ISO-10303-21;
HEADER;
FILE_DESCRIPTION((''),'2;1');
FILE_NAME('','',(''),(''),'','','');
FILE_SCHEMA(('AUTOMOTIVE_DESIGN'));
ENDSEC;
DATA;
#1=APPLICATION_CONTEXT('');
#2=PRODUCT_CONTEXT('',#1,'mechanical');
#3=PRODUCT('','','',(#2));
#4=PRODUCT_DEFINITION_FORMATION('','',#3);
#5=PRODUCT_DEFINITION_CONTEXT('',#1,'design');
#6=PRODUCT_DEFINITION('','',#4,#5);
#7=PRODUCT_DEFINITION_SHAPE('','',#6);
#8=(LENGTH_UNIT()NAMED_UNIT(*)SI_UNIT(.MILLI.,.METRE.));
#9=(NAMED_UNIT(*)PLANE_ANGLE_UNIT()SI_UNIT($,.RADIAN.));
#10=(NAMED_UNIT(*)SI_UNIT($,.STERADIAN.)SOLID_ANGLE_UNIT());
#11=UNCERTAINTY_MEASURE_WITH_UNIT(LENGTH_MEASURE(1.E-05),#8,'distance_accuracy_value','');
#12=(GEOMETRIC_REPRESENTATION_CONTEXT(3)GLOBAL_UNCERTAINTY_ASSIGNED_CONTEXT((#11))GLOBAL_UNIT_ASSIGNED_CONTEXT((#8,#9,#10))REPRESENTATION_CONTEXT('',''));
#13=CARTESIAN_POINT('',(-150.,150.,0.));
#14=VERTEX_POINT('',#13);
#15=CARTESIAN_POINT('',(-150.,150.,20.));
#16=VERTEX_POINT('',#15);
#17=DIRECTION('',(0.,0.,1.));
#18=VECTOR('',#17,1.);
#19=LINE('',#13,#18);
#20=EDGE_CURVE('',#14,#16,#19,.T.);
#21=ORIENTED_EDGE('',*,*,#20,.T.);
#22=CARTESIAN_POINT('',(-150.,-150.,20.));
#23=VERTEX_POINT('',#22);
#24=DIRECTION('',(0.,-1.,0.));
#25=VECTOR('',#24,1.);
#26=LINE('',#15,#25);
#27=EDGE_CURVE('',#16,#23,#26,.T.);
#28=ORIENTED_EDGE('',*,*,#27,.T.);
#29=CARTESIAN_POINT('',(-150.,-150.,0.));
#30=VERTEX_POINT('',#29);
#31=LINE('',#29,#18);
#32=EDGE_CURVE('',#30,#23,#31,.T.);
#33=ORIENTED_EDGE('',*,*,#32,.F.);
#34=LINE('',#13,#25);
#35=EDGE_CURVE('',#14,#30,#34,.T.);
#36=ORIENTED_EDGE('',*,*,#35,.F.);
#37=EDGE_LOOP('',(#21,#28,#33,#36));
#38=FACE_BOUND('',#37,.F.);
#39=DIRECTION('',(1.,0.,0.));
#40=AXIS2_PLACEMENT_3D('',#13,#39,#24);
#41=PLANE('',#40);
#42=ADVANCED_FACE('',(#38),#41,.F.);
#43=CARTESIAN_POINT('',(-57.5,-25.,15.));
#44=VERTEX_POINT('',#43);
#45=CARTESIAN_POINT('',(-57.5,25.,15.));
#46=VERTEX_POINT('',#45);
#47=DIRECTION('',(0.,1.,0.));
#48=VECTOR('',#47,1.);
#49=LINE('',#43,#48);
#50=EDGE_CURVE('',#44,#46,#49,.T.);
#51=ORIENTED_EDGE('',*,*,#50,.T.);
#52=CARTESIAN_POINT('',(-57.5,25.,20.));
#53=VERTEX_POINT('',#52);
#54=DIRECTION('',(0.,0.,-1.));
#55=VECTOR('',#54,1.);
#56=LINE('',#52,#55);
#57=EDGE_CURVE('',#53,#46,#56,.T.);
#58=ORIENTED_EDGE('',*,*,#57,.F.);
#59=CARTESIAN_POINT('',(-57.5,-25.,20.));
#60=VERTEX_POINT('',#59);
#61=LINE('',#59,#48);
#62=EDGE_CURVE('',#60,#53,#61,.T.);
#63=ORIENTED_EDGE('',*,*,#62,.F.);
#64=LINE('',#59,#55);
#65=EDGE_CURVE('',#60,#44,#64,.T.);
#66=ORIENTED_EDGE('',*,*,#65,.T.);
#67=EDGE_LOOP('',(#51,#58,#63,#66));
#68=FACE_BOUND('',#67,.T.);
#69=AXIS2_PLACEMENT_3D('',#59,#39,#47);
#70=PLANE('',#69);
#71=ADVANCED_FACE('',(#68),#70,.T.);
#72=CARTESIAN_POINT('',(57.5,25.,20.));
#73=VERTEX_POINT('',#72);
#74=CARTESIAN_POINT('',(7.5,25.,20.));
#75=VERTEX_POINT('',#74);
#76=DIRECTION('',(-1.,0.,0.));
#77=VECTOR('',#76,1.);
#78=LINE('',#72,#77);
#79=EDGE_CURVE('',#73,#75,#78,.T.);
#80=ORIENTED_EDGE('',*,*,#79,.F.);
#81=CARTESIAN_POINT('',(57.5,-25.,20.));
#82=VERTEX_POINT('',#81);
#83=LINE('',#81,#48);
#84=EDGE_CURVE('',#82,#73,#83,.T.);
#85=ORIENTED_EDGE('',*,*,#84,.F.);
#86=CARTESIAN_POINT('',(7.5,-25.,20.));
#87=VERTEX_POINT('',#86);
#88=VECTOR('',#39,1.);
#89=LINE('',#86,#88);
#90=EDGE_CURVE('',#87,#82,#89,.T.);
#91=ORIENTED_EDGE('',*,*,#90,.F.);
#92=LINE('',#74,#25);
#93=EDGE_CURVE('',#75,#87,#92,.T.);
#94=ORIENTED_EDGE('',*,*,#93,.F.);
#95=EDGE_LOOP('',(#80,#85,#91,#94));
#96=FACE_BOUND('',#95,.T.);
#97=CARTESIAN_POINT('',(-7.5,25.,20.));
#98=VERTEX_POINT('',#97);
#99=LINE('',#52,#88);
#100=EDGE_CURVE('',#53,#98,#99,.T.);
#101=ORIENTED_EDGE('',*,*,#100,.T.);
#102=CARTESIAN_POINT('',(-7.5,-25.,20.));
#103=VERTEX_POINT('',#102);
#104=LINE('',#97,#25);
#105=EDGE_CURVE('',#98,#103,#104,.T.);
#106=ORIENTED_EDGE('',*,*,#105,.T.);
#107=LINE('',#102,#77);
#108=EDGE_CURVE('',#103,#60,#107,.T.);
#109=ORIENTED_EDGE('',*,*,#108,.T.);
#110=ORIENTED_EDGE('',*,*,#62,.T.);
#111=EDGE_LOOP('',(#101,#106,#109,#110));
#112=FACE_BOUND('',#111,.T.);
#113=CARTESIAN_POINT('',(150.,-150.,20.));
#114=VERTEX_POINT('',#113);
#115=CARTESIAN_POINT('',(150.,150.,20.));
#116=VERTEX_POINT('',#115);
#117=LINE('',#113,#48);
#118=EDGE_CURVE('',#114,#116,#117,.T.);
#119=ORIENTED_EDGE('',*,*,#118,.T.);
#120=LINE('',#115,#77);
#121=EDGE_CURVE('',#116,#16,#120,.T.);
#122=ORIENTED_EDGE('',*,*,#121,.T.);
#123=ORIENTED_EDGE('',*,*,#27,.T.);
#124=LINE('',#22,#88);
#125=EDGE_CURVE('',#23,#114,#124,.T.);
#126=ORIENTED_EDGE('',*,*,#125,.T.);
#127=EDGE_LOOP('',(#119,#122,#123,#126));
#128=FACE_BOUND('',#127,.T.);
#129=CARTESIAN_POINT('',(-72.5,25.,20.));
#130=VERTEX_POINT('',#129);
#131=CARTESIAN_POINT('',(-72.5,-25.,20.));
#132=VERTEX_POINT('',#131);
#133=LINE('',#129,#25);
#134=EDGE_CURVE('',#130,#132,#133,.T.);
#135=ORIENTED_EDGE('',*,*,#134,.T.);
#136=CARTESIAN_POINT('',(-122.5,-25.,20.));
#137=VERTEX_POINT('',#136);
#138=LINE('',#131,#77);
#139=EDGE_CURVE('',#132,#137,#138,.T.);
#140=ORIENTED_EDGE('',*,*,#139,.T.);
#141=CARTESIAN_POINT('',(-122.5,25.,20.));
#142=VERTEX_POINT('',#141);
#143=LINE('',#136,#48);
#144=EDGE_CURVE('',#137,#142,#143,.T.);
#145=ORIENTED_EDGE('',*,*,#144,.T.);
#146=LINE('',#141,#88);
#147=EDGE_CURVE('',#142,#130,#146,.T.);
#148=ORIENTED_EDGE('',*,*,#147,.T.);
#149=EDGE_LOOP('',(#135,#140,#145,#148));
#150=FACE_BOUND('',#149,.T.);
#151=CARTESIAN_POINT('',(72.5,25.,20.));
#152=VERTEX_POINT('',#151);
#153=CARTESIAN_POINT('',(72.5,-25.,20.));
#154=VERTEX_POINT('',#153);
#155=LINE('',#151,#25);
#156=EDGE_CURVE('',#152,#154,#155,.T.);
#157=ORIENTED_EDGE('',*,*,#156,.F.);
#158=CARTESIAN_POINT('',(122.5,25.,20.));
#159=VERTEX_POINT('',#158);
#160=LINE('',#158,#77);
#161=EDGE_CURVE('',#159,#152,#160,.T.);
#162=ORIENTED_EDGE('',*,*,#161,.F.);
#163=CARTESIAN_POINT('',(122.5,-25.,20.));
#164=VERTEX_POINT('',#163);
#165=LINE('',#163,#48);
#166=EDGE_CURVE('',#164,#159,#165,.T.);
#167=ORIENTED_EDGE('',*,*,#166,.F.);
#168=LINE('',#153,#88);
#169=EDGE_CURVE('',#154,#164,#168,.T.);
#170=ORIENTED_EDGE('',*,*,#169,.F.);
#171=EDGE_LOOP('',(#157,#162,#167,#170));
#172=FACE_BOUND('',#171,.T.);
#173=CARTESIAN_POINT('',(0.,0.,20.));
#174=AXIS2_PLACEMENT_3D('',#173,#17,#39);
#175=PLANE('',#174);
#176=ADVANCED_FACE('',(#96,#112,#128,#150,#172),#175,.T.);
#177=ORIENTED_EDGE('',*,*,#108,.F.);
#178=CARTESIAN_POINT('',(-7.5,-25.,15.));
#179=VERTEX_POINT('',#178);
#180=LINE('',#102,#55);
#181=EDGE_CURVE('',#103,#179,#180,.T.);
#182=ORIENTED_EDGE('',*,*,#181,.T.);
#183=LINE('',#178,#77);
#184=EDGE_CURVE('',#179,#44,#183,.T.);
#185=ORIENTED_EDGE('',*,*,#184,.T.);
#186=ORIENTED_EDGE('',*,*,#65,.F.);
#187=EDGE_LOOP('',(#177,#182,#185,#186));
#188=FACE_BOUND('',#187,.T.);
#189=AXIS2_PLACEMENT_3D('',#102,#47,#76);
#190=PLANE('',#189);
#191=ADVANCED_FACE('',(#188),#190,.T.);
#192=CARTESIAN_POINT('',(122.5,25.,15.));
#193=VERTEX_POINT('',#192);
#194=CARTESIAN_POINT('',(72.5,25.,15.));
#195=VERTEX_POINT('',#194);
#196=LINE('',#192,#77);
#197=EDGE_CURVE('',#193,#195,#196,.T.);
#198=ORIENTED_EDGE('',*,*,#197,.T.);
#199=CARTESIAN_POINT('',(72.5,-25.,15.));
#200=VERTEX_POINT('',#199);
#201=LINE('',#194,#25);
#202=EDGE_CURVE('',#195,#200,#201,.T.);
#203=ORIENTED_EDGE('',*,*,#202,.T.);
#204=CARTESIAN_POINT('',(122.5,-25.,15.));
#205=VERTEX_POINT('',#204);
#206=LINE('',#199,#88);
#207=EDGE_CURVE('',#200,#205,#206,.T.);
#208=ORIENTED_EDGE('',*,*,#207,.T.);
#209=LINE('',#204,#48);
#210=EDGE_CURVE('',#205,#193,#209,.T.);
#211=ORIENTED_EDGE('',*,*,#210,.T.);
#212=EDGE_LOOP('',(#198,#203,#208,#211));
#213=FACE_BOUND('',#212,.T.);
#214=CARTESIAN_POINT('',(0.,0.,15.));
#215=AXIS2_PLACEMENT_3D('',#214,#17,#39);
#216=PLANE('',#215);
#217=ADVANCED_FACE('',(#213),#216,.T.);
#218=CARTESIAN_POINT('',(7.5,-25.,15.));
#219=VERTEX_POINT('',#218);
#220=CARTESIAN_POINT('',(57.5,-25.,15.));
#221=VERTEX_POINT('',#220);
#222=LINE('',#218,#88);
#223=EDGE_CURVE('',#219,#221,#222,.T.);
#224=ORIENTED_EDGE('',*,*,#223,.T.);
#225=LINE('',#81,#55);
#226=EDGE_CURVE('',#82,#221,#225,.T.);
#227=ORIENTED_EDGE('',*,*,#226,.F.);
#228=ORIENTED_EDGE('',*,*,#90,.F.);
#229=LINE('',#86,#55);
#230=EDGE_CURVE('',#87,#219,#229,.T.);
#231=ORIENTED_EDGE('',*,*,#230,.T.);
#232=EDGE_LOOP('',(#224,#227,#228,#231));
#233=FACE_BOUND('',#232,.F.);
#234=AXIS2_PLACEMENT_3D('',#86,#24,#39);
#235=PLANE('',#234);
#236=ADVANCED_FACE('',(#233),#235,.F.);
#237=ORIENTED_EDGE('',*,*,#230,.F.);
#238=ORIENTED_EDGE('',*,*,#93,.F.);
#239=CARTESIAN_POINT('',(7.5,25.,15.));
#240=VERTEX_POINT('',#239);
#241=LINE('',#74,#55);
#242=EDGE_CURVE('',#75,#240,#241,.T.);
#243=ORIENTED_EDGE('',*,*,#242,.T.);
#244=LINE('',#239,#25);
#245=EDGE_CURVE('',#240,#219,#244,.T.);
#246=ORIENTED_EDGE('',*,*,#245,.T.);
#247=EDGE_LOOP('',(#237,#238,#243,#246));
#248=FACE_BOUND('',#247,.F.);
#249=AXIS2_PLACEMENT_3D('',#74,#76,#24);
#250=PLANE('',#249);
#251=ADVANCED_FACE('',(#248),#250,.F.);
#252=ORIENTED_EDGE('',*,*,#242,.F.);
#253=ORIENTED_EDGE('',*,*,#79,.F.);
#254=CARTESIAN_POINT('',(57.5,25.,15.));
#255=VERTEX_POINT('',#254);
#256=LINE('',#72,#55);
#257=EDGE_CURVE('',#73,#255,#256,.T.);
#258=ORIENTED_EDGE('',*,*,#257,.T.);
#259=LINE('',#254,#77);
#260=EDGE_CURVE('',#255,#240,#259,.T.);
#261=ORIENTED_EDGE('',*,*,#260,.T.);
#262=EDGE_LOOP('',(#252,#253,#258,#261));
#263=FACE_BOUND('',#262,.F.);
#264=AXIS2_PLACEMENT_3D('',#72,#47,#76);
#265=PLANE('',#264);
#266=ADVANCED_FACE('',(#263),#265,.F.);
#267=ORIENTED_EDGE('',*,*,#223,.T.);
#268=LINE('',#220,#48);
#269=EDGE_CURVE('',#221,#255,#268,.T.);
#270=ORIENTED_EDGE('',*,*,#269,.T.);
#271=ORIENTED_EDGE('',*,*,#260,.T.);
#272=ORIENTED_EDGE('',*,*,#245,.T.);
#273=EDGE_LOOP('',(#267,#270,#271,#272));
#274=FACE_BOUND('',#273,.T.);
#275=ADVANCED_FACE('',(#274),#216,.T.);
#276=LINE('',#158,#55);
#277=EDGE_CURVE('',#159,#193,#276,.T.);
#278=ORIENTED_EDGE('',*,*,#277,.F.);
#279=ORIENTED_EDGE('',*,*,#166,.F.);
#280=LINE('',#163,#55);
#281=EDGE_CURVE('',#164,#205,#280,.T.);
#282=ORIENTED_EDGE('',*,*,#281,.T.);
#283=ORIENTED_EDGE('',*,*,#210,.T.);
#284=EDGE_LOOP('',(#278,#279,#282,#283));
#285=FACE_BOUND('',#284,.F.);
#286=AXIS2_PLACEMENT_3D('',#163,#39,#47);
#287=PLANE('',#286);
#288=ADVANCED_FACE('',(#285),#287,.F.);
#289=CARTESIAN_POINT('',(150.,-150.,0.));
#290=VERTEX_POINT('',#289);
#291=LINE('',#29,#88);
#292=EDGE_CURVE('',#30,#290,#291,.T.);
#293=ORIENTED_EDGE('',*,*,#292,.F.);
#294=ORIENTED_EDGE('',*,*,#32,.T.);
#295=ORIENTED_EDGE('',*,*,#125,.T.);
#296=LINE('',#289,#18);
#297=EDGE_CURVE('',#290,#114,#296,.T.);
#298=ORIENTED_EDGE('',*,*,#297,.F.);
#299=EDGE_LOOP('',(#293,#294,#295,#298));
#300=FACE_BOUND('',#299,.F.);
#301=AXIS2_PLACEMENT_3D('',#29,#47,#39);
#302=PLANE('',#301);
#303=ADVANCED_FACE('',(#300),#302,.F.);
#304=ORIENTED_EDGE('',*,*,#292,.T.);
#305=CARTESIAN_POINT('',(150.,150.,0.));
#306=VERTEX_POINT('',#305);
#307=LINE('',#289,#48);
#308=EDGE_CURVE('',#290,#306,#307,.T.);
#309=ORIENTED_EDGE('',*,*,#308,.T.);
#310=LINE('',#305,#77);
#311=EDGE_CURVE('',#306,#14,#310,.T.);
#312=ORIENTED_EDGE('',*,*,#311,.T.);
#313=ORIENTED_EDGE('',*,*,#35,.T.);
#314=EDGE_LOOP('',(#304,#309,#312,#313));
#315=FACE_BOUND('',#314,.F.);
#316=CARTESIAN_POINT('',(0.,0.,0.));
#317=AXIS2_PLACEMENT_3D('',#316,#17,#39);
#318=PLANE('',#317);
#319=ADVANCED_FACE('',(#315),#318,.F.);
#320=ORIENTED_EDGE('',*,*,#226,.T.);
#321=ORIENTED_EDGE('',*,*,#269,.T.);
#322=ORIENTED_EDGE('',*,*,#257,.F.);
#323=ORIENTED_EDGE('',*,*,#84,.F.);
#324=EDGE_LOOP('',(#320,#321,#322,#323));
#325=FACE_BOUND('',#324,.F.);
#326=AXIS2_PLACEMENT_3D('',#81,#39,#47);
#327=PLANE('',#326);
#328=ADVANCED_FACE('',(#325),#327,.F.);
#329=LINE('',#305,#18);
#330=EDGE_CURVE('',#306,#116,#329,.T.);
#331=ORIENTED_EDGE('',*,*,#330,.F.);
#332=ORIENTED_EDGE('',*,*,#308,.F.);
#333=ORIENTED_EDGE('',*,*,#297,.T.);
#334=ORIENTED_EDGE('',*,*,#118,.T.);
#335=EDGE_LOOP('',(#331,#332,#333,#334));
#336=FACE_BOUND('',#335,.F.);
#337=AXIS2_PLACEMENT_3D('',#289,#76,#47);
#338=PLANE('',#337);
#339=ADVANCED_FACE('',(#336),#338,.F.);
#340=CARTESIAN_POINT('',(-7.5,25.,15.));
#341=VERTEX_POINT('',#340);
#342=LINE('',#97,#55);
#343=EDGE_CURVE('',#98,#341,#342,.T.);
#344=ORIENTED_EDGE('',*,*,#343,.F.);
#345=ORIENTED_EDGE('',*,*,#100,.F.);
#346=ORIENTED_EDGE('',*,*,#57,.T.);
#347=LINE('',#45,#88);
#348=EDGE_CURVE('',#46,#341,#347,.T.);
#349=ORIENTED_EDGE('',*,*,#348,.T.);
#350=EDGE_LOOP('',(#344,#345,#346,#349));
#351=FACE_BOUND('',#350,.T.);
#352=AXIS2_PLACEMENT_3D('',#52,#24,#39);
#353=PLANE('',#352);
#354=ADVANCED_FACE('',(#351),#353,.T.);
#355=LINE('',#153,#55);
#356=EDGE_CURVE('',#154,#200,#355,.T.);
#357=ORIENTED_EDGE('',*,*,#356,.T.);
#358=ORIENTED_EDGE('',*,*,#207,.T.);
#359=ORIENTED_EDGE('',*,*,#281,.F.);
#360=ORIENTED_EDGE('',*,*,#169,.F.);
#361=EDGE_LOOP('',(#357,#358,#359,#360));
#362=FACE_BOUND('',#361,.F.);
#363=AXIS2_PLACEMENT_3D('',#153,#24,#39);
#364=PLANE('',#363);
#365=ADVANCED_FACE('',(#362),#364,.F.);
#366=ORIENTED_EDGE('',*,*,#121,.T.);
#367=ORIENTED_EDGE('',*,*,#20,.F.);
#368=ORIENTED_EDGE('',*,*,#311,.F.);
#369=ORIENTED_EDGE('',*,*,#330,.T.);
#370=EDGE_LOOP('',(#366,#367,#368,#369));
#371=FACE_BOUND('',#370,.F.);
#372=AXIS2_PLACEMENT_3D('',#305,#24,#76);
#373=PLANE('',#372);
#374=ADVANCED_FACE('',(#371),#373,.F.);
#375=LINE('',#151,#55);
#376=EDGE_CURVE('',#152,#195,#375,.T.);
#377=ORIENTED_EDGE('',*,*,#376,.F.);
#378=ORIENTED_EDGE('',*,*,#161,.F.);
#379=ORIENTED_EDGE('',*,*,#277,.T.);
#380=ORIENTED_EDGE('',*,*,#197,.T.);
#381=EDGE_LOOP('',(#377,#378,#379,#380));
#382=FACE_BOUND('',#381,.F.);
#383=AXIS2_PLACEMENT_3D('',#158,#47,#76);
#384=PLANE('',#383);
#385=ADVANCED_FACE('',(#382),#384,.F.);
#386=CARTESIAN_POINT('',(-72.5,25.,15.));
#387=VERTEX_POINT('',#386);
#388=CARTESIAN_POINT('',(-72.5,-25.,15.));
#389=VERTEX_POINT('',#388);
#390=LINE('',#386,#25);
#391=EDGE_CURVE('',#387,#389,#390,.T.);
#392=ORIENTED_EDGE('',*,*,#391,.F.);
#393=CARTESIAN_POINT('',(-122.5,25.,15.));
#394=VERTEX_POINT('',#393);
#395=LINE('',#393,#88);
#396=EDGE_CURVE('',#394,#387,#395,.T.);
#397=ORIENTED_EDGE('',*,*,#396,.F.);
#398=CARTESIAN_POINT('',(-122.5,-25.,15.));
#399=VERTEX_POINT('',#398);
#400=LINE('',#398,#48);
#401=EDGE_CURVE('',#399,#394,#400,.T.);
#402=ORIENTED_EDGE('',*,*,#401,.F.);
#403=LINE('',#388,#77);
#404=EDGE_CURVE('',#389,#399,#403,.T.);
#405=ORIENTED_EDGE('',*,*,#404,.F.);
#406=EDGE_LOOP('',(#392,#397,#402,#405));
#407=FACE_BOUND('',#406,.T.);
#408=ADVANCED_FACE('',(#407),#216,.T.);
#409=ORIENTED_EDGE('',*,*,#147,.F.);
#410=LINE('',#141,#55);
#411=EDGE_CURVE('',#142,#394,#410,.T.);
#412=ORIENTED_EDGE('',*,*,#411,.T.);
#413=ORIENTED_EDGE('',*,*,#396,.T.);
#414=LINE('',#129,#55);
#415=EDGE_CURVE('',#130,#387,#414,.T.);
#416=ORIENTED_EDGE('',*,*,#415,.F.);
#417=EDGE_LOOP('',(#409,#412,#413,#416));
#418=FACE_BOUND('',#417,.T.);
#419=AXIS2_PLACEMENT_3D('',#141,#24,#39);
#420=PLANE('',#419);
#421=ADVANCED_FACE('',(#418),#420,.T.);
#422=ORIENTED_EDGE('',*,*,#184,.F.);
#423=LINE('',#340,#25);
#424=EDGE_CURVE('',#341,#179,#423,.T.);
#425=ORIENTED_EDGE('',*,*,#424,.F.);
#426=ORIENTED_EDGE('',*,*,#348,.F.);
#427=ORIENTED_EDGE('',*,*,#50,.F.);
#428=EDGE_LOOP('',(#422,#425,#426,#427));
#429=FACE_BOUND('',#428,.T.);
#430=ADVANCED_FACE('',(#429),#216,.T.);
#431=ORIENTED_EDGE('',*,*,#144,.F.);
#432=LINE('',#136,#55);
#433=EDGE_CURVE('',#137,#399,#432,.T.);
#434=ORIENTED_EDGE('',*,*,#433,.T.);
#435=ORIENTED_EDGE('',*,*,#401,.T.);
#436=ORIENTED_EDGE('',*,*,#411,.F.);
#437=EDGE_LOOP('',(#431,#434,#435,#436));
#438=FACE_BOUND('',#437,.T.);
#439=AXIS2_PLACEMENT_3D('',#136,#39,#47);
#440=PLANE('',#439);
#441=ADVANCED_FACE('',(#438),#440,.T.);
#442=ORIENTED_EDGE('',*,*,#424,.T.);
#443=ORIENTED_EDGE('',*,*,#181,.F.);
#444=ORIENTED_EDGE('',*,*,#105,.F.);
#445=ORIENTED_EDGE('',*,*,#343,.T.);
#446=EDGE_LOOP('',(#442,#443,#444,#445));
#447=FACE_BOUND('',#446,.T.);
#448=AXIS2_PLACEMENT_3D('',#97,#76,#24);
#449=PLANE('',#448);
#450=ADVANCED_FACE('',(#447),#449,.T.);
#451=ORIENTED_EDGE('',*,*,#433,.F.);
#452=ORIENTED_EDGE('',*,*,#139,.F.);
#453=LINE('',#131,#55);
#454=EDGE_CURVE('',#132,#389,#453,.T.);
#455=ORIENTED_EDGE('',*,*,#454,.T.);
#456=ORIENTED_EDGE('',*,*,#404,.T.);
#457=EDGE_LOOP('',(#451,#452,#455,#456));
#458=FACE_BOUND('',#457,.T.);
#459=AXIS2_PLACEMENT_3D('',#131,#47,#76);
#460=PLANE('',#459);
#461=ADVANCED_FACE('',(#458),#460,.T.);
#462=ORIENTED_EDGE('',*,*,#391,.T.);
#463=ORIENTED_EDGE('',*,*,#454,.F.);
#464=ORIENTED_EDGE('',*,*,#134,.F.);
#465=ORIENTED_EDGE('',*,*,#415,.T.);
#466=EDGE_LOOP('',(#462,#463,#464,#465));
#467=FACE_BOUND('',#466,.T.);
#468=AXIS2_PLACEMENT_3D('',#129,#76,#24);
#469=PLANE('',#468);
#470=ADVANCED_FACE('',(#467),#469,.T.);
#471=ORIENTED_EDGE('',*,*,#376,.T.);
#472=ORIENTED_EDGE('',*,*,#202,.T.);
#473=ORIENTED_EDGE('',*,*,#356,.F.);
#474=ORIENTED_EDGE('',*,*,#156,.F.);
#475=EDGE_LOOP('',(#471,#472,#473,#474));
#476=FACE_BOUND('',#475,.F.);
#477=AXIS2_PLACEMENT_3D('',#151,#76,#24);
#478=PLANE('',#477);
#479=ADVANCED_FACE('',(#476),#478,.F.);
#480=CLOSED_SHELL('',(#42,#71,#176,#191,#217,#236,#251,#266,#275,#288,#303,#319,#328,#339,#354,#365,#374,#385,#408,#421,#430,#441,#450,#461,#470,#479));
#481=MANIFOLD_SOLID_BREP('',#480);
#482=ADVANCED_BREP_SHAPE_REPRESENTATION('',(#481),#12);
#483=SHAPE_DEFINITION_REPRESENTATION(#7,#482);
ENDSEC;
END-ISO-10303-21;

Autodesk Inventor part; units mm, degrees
ref_plane "YZ Plane" through (0, 0, 0) normal (1, 0, 0) x (0, 1, 0)
ref_plane "XZ Plane" through (0, 0, 0) normal (0, 1, 0) x (-1, 0, 0)
ref_plane "XY Plane" through (0, 0, 0) normal (0, 0, 1) x (1, 0, 0)
sketch "Boceto1" plane through (0, 0, 0) normal (0, 0, 1) x (1, 0, 0)
  line L0 (-150, -150) -> (150, -150)
  line L1 (150, -150) -> (150, 150)
  line L2 (150, 150) -> (-150, 150)
  line L3 (-150, 150) -> (-150, -150)
  line L4 (-150, -150) -> (150, 150) construction
  line L5 (150, -150) -> (-150, 150) construction
  point P0 (0, 0)
  dimension "d0" = 300
  dimension "d1" = 300
extrude "Extrusión1" add sketch "Boceto1" along normal blind 20
sketch "Boceto2" plane through (0, 0, 20) normal (0, 0, 1) x (1, 0, 0)
  line L0 (150, -150) -> (150, 150) construction
  line L1 (150, 150) -> (-150, 150) construction
  line L2 (-150, 150) -> (-150, -150) construction
  line L3 (-150, -150) -> (150, -150) construction
  line L4 (150, 150) -> (-150, 150) projected
  line L5 (0, 150) -> (0, -150)
  line L6 (-150, -150) -> (150, -150) projected
  line L7 (7.5, -25) -> (57.5, -25)
  line L8 (57.5, -25) -> (57.5, 25)
  line L9 (57.5, 25) -> (7.5, 25)
  line L10 (7.5, 25) -> (7.5, -25)
  line L11 (72.5, -25) -> (122.5, -25)
  line L12 (122.5, -25) -> (122.5, 25)
  line L13 (122.5, 25) -> (72.5, 25)
  line L14 (72.5, 25) -> (72.5, -25)
  line L15 (-7.5, -25) -> (-57.5, -25)
  line L16 (-57.5, -25) -> (-57.5, 25)
  line L17 (-57.5, 25) -> (-7.5, 25)
  line L18 (-7.5, 25) -> (-7.5, -25)
  line L19 (-72.5, -25) -> (-122.5, -25)
  line L20 (-122.5, -25) -> (-122.5, 25)
  line L21 (-122.5, 25) -> (-72.5, 25)
  line L22 (-72.5, 25) -> (-72.5, -25)
  point P0 (0, 0)
  point P1 (-85, -150)
  point P2 (215, -150)
  dimension "d4" = 50
  dimension "d5" = 50
  dimension "d6" = 15
  dimension "d7" = 125
  dimension "d10" = 65
  dimension "d15" = 300
extrude "Extrusión2" cut sketch "Boceto2" against normal blind 5
equation "\"d7\" = -0.5 * d5 + 0.5 * d15"
equation "\"d10\" = d6 + d4"
properties part number "Base plana 4 cuadrados"
